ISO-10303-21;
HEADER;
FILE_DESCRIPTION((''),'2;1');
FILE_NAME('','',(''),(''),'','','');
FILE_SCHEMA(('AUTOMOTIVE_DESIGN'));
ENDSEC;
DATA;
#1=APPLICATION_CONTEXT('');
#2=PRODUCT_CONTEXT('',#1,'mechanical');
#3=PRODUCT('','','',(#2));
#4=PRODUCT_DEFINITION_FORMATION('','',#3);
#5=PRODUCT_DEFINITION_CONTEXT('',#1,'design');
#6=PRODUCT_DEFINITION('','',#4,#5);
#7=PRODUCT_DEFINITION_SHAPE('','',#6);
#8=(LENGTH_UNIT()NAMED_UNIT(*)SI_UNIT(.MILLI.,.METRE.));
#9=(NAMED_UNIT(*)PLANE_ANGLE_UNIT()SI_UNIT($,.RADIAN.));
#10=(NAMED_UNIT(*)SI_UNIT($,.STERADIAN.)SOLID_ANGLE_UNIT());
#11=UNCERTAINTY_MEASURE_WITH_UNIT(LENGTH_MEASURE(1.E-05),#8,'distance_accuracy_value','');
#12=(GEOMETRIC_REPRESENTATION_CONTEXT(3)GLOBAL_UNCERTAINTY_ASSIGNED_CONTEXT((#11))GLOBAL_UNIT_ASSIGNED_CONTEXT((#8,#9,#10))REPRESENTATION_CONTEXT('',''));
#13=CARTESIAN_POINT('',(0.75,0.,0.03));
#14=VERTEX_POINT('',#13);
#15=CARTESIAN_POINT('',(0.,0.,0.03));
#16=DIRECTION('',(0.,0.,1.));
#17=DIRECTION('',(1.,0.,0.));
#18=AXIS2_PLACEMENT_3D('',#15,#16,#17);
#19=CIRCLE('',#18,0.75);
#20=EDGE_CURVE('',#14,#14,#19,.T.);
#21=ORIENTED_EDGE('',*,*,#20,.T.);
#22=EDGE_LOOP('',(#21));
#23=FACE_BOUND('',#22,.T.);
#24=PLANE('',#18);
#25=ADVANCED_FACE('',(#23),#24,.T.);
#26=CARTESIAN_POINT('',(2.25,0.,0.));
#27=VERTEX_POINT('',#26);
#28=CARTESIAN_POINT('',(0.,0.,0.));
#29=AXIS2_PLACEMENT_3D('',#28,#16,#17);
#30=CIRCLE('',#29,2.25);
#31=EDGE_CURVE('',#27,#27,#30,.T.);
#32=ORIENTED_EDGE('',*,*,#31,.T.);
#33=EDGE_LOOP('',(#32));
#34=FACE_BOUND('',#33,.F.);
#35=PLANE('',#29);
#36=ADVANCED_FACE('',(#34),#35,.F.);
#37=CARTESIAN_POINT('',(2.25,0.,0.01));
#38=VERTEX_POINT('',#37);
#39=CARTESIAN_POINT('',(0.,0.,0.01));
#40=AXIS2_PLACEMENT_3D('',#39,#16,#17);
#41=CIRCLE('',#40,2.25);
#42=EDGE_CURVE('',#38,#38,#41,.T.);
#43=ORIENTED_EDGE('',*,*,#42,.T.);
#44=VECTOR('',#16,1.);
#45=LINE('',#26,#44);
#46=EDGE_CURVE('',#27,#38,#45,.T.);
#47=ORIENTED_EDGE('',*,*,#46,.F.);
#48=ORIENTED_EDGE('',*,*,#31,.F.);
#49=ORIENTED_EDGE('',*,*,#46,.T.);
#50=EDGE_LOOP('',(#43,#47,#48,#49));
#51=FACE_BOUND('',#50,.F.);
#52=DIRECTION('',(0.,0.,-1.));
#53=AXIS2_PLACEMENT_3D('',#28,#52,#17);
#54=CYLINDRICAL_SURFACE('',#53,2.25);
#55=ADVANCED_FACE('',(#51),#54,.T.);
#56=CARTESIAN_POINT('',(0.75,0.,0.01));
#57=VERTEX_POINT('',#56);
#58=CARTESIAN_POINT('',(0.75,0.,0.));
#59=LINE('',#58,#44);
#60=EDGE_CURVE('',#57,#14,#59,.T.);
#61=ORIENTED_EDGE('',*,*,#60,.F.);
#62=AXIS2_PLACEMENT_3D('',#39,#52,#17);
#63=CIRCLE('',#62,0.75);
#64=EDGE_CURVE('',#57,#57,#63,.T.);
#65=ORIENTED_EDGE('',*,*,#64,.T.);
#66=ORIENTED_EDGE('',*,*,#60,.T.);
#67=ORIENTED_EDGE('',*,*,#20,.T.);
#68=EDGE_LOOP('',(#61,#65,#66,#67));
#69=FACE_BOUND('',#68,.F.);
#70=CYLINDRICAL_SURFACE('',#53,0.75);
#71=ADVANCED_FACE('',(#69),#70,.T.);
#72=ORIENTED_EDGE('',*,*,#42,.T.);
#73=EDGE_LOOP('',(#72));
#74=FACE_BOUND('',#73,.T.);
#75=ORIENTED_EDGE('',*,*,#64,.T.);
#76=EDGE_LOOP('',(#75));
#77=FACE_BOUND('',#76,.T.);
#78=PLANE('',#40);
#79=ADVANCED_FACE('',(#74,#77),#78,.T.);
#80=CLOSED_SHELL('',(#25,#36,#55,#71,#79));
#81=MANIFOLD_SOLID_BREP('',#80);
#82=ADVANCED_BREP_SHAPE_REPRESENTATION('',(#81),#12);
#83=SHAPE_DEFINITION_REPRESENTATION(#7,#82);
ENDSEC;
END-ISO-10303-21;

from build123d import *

# Parameters (mm, degrees)
CYLINDER001_R     = 2.25
CYLINDER001_DEPTH = 0.01
CYLINDER_R        = 0.75
CYLINDER_DEPTH    = 0.03


with BuildPart() as cylinder001:
    # Cylinder001 → Cylinder001 (new body)
    with BuildSketch(Plane.XY):
        Circle(CYLINDER001_R)
    extrude(amount=CYLINDER001_DEPTH)


with BuildPart() as fid150x450round:
    # Cylinder → Cylinder (new body)
    with BuildSketch(Plane.XY):
        Circle(CYLINDER_R)
    extrude(amount=CYLINDER_DEPTH)

    # Fusion: union Cylinder001
    add(cylinder001.part)


solid = fid150x450round.part
